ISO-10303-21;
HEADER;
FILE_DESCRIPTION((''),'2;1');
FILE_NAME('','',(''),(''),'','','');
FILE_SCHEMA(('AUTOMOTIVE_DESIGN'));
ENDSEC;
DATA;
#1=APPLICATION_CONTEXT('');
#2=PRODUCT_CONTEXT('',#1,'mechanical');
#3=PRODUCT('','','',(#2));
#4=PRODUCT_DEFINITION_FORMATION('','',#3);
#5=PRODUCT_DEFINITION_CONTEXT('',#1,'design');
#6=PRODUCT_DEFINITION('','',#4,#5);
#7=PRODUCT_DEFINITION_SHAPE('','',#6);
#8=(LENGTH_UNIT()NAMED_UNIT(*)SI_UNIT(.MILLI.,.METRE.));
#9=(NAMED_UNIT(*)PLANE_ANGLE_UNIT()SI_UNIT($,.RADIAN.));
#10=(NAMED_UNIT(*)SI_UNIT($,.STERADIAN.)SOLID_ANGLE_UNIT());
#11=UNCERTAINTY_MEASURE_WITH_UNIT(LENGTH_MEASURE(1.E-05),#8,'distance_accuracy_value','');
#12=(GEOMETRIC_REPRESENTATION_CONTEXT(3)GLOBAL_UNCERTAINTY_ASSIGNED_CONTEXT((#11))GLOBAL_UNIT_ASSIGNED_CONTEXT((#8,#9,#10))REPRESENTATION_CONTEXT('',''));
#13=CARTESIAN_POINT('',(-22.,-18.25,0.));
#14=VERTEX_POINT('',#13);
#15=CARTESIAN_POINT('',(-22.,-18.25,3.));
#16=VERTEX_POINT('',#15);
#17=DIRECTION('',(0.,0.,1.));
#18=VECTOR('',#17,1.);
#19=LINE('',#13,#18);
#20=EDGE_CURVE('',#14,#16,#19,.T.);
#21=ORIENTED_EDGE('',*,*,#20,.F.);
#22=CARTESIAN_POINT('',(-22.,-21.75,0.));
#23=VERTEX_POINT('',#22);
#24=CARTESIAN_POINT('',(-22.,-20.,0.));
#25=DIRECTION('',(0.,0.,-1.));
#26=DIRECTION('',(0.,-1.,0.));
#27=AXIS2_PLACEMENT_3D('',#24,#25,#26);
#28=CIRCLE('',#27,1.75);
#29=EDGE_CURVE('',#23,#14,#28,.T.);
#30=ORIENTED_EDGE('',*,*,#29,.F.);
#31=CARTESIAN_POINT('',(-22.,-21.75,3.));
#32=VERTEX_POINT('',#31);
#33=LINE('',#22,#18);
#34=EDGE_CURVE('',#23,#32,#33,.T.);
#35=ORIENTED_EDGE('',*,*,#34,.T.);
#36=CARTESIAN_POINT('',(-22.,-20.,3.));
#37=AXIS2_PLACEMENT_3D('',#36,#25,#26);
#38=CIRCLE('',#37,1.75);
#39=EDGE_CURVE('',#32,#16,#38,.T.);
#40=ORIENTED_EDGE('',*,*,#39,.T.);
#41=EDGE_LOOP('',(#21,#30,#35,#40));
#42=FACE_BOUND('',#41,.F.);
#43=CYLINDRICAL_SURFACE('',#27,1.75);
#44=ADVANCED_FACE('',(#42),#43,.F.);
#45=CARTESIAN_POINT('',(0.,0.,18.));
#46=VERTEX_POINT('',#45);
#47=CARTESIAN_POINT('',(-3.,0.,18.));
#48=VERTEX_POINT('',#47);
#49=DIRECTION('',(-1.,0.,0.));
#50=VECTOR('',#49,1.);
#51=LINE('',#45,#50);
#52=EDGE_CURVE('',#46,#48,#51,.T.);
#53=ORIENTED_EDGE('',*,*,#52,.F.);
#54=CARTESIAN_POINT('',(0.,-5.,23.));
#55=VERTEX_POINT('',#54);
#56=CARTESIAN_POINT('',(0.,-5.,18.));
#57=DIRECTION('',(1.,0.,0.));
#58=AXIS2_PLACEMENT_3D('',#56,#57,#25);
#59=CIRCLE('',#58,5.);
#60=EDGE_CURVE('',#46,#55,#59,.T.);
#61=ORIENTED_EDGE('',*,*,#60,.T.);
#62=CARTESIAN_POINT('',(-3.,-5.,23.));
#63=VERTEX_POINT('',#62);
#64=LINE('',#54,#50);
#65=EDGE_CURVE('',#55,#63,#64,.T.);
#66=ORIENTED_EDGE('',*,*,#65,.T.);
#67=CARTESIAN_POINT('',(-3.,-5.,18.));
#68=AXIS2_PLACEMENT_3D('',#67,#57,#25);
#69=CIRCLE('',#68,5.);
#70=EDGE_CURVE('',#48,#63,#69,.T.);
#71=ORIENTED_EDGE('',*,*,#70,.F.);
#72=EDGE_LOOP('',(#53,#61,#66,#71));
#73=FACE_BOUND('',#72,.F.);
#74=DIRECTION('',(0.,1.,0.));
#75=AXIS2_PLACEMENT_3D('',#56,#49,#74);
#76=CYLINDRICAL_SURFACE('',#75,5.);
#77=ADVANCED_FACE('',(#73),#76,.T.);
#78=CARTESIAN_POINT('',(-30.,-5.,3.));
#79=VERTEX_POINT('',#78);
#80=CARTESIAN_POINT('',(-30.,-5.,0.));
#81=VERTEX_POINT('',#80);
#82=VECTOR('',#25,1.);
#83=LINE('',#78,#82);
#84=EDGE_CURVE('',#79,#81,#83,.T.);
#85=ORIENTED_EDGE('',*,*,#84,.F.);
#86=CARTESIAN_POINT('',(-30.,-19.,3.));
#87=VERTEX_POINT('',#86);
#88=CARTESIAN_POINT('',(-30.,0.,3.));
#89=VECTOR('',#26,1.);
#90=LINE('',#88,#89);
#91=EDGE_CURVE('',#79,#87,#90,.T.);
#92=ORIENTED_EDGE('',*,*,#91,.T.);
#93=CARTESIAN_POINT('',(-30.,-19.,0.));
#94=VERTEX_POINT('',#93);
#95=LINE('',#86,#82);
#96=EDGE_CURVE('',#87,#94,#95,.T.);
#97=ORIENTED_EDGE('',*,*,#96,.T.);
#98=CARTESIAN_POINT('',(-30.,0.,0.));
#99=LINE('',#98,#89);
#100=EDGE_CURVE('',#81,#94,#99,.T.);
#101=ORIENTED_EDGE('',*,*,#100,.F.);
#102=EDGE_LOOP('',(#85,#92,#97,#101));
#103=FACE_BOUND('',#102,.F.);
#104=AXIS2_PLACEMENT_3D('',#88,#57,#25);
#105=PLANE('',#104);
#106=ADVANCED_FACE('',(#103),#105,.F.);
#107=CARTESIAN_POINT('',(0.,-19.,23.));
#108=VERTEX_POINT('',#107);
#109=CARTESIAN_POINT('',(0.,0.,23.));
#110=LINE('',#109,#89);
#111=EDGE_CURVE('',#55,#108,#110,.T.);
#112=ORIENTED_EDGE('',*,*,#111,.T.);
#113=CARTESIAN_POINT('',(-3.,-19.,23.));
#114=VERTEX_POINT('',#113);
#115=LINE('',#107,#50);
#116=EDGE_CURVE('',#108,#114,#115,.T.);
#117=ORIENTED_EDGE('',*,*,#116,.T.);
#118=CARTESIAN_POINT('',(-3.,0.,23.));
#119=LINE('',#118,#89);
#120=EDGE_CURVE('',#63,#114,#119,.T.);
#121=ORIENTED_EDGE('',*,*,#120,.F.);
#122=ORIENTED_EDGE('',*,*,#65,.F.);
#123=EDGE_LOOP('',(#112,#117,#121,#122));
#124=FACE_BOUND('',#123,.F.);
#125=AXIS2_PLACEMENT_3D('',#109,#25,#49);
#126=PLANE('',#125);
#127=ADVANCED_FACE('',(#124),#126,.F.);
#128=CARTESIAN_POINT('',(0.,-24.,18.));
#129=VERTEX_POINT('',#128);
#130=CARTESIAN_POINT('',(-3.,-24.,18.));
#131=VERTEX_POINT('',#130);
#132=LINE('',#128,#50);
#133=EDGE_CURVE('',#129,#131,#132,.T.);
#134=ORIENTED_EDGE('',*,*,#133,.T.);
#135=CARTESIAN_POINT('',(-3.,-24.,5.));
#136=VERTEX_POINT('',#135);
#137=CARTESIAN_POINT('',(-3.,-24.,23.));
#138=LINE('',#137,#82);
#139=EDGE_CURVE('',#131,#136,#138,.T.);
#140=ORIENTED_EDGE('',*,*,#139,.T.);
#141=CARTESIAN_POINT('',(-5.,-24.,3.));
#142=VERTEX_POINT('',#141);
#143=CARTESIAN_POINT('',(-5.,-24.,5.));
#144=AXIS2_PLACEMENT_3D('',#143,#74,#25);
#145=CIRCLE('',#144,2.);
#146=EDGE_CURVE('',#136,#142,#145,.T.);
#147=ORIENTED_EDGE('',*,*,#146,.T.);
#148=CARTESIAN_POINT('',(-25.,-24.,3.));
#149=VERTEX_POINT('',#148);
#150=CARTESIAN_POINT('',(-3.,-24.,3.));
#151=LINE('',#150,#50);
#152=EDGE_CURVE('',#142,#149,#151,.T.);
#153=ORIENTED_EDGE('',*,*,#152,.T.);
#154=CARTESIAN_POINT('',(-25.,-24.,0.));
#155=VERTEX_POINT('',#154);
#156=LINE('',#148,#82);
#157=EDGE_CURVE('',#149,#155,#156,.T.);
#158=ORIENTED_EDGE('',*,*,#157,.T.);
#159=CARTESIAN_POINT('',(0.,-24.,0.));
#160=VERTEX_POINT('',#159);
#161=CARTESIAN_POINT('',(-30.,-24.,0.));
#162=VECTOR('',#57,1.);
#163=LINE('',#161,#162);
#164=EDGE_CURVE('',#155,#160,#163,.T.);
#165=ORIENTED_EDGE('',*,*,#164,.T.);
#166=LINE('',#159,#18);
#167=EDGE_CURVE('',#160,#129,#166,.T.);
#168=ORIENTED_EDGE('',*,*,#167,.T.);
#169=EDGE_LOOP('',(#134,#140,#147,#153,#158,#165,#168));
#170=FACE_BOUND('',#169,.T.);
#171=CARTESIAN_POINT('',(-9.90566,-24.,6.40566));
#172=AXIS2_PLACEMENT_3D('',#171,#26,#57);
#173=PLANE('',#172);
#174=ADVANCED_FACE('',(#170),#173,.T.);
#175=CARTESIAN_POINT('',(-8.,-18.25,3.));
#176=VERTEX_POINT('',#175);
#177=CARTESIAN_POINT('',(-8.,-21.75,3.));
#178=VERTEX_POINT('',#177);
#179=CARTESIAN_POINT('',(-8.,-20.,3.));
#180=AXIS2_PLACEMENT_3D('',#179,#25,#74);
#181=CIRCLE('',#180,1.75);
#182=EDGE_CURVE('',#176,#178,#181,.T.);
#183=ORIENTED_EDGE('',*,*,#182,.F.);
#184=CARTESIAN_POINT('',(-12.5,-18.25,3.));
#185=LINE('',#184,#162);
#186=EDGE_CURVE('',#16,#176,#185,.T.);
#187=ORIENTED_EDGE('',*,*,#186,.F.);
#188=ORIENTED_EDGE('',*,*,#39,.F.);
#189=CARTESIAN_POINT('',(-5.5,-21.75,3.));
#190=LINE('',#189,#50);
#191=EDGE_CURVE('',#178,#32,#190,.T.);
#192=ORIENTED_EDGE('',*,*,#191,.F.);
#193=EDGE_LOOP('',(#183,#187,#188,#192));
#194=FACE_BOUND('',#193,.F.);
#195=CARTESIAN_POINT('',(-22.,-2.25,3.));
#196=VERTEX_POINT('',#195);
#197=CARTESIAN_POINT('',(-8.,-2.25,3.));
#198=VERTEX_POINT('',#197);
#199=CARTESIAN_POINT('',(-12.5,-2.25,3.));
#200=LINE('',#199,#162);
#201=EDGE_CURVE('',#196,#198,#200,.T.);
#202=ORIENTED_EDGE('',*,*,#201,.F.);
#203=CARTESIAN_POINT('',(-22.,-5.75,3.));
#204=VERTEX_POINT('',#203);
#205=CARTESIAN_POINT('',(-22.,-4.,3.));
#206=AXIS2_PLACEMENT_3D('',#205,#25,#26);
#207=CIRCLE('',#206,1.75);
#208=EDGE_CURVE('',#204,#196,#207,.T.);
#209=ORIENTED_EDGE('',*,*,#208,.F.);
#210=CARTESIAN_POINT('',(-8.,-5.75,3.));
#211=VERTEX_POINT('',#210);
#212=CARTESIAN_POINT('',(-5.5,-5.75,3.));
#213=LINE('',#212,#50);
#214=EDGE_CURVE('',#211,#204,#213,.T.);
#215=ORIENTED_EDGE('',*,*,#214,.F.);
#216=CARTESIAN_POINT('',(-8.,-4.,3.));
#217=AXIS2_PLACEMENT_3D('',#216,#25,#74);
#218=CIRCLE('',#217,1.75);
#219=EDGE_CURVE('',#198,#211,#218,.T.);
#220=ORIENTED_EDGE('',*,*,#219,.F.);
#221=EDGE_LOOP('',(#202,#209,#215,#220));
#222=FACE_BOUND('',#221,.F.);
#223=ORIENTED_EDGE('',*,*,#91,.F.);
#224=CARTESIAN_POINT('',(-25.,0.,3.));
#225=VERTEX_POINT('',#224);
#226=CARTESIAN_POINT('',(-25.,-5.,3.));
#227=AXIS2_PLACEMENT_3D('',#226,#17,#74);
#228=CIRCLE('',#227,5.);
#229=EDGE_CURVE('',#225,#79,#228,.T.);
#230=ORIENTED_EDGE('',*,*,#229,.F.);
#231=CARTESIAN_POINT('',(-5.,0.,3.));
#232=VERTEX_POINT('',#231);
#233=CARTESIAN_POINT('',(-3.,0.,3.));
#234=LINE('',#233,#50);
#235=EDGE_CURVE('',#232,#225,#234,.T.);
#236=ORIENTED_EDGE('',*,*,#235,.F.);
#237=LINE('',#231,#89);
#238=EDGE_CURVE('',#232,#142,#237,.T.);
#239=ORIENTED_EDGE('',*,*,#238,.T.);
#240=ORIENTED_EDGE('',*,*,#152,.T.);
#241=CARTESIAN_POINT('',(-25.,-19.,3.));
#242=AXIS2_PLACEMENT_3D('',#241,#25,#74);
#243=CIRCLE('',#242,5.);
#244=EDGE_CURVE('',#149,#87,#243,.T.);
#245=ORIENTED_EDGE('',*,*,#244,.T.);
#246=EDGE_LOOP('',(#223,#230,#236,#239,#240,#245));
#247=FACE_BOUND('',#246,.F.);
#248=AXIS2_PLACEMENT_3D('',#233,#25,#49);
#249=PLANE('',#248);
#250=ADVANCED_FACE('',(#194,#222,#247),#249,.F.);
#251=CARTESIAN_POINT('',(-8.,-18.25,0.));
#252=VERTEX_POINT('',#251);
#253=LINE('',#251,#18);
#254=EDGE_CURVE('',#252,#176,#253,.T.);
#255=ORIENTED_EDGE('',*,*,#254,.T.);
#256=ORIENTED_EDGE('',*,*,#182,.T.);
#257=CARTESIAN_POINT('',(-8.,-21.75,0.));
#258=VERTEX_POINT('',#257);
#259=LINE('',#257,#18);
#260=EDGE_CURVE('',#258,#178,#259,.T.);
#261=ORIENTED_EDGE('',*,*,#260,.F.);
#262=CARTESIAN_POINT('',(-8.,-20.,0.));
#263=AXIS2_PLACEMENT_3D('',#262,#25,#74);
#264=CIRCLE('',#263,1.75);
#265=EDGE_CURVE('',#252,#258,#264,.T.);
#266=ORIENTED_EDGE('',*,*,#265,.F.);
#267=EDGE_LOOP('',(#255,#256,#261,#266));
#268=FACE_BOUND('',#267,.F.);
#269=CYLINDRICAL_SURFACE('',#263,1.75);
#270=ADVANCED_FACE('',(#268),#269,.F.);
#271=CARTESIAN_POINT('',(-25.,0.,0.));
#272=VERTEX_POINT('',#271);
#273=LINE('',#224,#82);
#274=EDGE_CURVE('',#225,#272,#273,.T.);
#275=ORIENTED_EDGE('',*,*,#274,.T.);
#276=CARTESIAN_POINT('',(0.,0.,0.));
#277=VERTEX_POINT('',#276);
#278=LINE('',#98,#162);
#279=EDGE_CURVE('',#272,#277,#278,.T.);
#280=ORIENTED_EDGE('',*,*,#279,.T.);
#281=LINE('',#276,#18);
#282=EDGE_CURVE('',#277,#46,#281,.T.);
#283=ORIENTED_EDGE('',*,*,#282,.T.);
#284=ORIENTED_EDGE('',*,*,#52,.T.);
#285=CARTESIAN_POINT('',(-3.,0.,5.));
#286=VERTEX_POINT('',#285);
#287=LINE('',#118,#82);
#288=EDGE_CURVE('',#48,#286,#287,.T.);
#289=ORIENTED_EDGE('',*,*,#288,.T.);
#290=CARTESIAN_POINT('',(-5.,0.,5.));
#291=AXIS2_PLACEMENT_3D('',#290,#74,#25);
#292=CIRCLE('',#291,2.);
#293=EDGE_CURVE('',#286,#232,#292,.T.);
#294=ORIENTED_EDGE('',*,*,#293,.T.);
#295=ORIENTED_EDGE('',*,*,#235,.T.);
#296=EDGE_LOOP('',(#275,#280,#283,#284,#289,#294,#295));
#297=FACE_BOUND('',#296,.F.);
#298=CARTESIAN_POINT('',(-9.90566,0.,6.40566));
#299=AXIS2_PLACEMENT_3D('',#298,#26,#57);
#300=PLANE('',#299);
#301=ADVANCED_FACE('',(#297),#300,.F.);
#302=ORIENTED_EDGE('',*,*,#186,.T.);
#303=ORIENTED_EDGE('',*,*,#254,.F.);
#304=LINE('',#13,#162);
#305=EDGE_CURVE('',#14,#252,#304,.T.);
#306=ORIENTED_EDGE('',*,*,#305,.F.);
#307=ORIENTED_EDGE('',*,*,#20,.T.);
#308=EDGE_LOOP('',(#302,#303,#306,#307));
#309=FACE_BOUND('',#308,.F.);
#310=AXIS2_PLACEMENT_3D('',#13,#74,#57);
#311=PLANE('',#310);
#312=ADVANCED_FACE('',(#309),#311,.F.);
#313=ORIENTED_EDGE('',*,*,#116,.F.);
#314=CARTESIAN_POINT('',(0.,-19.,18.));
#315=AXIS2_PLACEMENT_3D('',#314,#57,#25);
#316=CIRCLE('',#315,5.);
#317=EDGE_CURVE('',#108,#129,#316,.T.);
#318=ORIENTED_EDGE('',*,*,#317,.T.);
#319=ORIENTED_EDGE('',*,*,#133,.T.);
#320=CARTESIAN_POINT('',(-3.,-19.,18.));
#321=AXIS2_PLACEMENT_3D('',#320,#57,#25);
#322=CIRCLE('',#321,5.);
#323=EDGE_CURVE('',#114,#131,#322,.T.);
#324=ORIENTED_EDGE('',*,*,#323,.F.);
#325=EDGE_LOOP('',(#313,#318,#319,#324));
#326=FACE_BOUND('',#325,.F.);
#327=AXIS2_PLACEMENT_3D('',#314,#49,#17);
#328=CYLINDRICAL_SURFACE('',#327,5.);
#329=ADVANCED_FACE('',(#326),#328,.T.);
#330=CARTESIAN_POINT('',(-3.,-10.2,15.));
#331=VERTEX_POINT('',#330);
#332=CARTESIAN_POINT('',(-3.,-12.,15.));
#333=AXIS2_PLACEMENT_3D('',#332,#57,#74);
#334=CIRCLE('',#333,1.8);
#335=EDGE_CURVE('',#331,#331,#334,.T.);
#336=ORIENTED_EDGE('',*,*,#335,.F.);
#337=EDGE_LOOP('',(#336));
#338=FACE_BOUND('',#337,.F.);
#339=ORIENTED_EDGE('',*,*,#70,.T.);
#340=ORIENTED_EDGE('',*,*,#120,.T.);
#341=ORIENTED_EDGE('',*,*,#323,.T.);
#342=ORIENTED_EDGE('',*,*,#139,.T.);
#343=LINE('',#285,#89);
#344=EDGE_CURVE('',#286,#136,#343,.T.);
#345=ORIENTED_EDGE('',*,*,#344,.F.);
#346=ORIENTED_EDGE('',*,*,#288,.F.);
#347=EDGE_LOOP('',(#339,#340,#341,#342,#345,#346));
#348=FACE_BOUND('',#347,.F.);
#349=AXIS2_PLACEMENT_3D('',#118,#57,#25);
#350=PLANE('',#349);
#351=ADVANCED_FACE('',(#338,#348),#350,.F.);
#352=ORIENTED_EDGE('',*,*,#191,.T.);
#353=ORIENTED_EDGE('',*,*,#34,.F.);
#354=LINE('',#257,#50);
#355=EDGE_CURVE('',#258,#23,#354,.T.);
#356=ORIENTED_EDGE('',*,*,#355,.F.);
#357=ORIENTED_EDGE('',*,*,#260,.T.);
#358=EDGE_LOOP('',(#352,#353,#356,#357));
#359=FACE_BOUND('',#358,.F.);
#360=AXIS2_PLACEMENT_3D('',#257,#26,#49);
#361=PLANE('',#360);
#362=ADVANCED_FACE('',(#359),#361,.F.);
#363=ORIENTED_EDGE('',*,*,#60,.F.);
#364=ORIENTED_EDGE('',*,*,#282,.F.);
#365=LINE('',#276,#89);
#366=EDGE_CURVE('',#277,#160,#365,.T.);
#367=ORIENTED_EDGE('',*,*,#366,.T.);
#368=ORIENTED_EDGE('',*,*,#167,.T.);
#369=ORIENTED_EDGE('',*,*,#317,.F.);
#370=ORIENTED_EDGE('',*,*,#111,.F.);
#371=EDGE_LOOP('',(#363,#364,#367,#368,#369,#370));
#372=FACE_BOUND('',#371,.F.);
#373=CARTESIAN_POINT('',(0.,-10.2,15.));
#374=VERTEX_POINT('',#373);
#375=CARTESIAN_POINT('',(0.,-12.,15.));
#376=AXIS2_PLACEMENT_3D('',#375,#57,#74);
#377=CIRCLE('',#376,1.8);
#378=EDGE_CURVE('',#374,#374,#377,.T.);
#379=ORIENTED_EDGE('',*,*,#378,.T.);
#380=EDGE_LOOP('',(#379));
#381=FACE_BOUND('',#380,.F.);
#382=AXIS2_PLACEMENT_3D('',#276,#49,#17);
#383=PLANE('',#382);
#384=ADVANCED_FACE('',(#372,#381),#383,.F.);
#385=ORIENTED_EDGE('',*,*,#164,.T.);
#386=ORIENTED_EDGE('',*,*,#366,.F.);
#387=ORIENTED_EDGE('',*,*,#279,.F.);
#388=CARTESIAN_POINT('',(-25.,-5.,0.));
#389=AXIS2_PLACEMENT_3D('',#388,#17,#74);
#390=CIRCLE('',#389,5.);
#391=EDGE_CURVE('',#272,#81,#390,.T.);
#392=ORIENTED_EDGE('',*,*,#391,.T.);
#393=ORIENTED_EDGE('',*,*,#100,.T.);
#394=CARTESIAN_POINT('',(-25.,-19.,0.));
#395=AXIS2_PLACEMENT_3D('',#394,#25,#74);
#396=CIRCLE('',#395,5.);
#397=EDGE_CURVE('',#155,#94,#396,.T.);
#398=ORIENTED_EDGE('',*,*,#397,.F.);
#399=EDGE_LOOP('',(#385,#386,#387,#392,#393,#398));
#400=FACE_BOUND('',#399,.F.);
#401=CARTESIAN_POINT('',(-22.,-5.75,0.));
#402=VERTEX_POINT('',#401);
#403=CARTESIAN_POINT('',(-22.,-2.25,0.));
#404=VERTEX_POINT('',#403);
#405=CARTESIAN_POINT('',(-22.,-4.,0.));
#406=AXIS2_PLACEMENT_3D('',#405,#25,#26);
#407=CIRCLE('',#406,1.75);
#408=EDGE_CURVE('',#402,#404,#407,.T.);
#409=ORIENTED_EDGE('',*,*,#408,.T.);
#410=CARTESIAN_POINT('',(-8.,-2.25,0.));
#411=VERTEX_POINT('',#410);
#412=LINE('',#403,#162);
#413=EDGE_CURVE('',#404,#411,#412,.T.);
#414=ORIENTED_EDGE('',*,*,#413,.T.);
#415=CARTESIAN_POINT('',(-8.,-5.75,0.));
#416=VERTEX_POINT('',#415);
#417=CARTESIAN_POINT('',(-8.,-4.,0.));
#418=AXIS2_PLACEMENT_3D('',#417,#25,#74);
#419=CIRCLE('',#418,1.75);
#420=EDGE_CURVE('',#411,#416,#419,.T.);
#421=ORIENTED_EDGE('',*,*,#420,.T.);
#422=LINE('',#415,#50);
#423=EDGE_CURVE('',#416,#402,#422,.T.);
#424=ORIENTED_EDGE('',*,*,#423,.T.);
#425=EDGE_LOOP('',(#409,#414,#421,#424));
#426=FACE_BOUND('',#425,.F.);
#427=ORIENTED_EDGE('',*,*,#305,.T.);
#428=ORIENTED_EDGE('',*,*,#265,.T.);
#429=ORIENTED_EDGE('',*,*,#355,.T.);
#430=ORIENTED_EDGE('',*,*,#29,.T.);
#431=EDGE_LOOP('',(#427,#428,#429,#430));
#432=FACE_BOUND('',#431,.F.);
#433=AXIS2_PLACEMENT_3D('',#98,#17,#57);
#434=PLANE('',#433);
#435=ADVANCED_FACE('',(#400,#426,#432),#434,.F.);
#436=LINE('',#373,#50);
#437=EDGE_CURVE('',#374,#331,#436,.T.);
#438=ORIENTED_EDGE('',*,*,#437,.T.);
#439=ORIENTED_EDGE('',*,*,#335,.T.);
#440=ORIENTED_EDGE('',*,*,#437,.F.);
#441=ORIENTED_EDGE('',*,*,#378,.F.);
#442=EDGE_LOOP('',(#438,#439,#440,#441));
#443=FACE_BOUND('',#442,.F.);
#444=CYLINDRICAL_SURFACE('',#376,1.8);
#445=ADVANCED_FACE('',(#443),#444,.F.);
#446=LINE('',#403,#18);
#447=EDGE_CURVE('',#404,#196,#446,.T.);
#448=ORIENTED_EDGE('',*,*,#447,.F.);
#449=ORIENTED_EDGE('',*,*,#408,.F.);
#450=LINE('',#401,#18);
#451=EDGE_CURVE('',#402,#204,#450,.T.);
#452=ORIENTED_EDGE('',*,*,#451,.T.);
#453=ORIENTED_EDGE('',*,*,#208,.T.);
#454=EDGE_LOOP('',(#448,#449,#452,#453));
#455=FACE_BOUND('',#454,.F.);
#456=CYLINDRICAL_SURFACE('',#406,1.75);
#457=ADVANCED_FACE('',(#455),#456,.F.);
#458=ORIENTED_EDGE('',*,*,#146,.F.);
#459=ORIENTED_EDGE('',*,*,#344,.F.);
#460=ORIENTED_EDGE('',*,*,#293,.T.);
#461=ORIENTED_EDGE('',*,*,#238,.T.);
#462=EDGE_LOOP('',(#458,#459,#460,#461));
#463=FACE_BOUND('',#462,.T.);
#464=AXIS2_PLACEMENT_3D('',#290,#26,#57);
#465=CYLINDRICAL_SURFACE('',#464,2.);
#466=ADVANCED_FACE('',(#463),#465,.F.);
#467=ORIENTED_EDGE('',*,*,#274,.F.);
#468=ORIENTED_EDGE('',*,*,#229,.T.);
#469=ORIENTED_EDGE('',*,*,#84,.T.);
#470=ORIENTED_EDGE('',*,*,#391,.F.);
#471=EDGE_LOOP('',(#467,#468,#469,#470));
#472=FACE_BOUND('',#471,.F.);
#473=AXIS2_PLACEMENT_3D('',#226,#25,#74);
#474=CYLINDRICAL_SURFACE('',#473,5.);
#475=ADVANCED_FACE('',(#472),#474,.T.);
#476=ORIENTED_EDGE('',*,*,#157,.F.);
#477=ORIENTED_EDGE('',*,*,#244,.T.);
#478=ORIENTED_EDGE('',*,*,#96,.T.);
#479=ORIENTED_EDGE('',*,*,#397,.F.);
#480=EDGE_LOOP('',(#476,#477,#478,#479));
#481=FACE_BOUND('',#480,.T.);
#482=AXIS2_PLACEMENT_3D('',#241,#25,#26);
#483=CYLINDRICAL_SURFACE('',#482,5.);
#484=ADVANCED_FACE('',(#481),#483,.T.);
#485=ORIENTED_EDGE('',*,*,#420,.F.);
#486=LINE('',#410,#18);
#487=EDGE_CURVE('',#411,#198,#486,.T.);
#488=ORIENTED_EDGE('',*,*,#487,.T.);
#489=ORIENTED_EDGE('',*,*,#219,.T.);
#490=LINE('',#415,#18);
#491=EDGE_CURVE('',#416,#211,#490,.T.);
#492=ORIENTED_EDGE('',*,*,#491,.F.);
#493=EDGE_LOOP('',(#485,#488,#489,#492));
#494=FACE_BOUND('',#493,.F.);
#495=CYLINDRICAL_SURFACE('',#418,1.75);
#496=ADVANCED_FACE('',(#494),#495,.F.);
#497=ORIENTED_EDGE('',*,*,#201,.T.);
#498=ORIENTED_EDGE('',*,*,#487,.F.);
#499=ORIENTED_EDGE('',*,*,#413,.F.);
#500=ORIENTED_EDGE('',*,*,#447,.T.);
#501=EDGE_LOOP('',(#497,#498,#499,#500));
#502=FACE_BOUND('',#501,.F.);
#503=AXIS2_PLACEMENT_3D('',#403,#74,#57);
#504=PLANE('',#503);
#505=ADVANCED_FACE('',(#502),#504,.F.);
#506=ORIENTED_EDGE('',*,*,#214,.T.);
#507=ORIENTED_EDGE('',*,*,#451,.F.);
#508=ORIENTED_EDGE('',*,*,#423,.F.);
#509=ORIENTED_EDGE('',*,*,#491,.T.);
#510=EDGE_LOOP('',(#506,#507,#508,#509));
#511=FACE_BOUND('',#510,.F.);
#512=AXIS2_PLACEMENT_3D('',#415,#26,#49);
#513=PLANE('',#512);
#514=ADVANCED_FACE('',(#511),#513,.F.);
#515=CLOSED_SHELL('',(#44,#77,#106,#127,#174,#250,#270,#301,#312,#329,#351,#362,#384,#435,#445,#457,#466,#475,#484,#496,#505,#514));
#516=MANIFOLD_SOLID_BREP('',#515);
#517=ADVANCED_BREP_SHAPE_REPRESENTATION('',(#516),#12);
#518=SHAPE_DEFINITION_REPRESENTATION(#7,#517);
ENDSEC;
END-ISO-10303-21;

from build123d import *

# Parameters (mm, degrees)
F1_DEPTH = 24
F2_R     = 2
F3_R     = 1.8
F4_DEPTH = 30.001
F5_R     = 5
F7_DEPTH = 23.001


with BuildPart() as f1:
    # F0 (on Front) → F1 (new body)
    with BuildSketch(Plane.XZ):
        Polygon((-30, 0), (0, 0), (0, 23), (-3, 23), (-3, 3), (-30, 3), align=None)
    extrude(amount=F1_DEPTH)

    # F2
    f2_edges = [f1.edges().sort_by_distance(p)[0] for p in [
        (-3, -12, 3),
    ]]
    fillet(f2_edges, radius=F2_R)

    # F3 (on face) → F4 (cut, through all)
    with BuildSketch(Plane.YZ):
        with Locations((-12, 15)):
            Circle(F3_R)
    extrude(amount=-F4_DEPTH, mode=Mode.SUBTRACT)

    # F5
    f5_edges = [f1.edges().sort_by_distance(p)[0] for p in [
        (-1.5, -24, 23),
        (-1.5, 0, 23),
        (-30, -24, 1.5),
        (-30, 0, 1.5),
    ]]
    fillet(f5_edges, radius=F5_R)

    # F6 (on face) → F7 (cut, through all)
    with BuildSketch(Plane(origin=(0, 0, 0), x_dir=(1, 0, 0), z_dir=(0, 0, -1))):
        with BuildLine():
            ThreePointArc((-8, 18.25), (-6.25, 20), (-8, 21.75))
            Line((-8, 21.75), (-22, 21.75))
            ThreePointArc((-22, 21.75), (-23.75, 20), (-22, 18.25))
            Line((-22, 18.25), (-8, 18.25))
        make_face()
        with BuildLine():
            Line((-22, 2.25), (-8, 2.25))
            ThreePointArc((-8, 2.25), (-6.25, 4), (-8, 5.75))
            Line((-8, 5.75), (-22, 5.75))
            ThreePointArc((-22, 5.75), (-23.75, 4), (-22, 2.25))
        make_face()
    extrude(amount=-F7_DEPTH, mode=Mode.SUBTRACT)


solid = f1.part
